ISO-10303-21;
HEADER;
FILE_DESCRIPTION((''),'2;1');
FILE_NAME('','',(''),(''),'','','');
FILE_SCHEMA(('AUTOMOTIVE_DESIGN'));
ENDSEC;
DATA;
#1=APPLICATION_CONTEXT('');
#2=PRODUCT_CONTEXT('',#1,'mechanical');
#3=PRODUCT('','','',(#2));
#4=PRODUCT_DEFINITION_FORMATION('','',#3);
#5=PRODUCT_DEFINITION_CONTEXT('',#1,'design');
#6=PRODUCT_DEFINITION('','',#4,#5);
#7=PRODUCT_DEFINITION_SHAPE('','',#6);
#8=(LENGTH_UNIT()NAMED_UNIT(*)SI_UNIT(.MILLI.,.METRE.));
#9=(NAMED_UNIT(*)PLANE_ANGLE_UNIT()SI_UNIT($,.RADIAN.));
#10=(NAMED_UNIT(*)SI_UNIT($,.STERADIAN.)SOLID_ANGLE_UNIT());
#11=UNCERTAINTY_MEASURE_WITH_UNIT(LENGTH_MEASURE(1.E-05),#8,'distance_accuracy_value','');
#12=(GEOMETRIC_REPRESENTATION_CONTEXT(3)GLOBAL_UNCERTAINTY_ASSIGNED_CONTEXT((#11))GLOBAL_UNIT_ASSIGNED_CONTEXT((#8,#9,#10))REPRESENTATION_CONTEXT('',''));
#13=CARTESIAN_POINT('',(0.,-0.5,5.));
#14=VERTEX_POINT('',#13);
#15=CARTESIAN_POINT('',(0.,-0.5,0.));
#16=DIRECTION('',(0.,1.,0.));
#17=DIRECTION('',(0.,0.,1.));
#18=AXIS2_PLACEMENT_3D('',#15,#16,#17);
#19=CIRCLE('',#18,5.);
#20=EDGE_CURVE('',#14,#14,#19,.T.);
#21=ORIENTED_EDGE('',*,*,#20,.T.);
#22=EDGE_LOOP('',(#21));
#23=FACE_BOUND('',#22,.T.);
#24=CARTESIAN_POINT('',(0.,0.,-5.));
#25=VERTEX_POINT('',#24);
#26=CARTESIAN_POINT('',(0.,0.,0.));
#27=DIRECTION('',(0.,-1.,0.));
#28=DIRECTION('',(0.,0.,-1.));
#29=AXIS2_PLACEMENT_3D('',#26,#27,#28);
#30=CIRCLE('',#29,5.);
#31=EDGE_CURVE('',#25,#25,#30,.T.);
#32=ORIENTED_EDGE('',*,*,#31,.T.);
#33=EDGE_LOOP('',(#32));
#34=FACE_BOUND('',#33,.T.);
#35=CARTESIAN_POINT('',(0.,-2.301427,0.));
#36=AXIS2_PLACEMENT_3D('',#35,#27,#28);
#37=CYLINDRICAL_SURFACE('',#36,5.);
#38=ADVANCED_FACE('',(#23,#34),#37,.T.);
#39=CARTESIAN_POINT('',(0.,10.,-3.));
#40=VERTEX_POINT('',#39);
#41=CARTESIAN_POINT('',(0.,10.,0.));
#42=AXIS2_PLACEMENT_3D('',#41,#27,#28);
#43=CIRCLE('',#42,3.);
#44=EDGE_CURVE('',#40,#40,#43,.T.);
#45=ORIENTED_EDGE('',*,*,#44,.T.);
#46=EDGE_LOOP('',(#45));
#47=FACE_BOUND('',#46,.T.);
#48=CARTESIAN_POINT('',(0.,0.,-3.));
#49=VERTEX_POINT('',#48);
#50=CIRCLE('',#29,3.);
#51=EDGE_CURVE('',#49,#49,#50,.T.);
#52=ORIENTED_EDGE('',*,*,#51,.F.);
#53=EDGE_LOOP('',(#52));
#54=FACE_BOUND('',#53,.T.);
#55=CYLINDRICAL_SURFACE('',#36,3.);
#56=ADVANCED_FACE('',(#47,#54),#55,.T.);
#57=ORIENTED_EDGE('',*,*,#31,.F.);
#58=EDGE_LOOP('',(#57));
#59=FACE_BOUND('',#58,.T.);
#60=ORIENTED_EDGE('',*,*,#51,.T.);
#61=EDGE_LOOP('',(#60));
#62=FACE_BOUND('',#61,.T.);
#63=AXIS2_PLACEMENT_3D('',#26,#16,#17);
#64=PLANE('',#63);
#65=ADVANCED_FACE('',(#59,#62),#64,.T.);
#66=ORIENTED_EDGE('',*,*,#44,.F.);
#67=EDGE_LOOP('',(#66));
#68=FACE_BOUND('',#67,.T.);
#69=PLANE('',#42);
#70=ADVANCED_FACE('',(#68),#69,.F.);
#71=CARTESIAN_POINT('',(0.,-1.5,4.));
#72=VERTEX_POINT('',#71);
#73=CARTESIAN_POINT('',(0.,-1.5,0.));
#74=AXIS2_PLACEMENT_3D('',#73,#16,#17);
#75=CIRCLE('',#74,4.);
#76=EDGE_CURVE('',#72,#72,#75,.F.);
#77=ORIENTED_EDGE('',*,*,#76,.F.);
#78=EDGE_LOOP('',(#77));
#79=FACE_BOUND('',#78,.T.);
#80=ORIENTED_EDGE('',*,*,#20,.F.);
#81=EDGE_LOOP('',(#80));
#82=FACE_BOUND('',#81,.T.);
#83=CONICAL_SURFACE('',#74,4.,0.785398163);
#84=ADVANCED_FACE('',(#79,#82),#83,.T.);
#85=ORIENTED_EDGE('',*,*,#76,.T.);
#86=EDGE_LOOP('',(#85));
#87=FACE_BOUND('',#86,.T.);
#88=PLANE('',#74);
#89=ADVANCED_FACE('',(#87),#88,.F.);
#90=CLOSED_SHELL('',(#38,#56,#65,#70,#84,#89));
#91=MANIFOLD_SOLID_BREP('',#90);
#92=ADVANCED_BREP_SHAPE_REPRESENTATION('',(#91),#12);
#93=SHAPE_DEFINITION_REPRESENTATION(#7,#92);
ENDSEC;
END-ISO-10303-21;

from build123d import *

# Parameters (mm, degrees)
SKETCH1_W     = 10
SKETCH1_H     = 3
CHAMFER1_SIZE = 1


with BuildPart() as part:
    # Sketch1 → Revolve1 (revolve)
    with BuildSketch(Plane.YZ, mode=Mode.PRIVATE) as revolve1_sk:
        Polygon((-1.5, 0), (0, 0), (0, 3), (0, 5), (-1.5, 5), align=None)
        with Locations((5, 1.5)):
            Rectangle(SKETCH1_W, SKETCH1_H)
    revolve(revolve1_sk.sketch.rotate(Axis((0, -2.301426894, 0), (0, 1, 0)), 180), axis=Axis((0, -2.301426894, 0), (0, 1, 0)))

    # Chamfer1
    chamfer1_edges = [part.edges().sort_by_distance(p)[0] for p in [
        (0, -1.5, 5),
    ]]
    chamfer(chamfer1_edges, length=CHAMFER1_SIZE)


solid = part.part
